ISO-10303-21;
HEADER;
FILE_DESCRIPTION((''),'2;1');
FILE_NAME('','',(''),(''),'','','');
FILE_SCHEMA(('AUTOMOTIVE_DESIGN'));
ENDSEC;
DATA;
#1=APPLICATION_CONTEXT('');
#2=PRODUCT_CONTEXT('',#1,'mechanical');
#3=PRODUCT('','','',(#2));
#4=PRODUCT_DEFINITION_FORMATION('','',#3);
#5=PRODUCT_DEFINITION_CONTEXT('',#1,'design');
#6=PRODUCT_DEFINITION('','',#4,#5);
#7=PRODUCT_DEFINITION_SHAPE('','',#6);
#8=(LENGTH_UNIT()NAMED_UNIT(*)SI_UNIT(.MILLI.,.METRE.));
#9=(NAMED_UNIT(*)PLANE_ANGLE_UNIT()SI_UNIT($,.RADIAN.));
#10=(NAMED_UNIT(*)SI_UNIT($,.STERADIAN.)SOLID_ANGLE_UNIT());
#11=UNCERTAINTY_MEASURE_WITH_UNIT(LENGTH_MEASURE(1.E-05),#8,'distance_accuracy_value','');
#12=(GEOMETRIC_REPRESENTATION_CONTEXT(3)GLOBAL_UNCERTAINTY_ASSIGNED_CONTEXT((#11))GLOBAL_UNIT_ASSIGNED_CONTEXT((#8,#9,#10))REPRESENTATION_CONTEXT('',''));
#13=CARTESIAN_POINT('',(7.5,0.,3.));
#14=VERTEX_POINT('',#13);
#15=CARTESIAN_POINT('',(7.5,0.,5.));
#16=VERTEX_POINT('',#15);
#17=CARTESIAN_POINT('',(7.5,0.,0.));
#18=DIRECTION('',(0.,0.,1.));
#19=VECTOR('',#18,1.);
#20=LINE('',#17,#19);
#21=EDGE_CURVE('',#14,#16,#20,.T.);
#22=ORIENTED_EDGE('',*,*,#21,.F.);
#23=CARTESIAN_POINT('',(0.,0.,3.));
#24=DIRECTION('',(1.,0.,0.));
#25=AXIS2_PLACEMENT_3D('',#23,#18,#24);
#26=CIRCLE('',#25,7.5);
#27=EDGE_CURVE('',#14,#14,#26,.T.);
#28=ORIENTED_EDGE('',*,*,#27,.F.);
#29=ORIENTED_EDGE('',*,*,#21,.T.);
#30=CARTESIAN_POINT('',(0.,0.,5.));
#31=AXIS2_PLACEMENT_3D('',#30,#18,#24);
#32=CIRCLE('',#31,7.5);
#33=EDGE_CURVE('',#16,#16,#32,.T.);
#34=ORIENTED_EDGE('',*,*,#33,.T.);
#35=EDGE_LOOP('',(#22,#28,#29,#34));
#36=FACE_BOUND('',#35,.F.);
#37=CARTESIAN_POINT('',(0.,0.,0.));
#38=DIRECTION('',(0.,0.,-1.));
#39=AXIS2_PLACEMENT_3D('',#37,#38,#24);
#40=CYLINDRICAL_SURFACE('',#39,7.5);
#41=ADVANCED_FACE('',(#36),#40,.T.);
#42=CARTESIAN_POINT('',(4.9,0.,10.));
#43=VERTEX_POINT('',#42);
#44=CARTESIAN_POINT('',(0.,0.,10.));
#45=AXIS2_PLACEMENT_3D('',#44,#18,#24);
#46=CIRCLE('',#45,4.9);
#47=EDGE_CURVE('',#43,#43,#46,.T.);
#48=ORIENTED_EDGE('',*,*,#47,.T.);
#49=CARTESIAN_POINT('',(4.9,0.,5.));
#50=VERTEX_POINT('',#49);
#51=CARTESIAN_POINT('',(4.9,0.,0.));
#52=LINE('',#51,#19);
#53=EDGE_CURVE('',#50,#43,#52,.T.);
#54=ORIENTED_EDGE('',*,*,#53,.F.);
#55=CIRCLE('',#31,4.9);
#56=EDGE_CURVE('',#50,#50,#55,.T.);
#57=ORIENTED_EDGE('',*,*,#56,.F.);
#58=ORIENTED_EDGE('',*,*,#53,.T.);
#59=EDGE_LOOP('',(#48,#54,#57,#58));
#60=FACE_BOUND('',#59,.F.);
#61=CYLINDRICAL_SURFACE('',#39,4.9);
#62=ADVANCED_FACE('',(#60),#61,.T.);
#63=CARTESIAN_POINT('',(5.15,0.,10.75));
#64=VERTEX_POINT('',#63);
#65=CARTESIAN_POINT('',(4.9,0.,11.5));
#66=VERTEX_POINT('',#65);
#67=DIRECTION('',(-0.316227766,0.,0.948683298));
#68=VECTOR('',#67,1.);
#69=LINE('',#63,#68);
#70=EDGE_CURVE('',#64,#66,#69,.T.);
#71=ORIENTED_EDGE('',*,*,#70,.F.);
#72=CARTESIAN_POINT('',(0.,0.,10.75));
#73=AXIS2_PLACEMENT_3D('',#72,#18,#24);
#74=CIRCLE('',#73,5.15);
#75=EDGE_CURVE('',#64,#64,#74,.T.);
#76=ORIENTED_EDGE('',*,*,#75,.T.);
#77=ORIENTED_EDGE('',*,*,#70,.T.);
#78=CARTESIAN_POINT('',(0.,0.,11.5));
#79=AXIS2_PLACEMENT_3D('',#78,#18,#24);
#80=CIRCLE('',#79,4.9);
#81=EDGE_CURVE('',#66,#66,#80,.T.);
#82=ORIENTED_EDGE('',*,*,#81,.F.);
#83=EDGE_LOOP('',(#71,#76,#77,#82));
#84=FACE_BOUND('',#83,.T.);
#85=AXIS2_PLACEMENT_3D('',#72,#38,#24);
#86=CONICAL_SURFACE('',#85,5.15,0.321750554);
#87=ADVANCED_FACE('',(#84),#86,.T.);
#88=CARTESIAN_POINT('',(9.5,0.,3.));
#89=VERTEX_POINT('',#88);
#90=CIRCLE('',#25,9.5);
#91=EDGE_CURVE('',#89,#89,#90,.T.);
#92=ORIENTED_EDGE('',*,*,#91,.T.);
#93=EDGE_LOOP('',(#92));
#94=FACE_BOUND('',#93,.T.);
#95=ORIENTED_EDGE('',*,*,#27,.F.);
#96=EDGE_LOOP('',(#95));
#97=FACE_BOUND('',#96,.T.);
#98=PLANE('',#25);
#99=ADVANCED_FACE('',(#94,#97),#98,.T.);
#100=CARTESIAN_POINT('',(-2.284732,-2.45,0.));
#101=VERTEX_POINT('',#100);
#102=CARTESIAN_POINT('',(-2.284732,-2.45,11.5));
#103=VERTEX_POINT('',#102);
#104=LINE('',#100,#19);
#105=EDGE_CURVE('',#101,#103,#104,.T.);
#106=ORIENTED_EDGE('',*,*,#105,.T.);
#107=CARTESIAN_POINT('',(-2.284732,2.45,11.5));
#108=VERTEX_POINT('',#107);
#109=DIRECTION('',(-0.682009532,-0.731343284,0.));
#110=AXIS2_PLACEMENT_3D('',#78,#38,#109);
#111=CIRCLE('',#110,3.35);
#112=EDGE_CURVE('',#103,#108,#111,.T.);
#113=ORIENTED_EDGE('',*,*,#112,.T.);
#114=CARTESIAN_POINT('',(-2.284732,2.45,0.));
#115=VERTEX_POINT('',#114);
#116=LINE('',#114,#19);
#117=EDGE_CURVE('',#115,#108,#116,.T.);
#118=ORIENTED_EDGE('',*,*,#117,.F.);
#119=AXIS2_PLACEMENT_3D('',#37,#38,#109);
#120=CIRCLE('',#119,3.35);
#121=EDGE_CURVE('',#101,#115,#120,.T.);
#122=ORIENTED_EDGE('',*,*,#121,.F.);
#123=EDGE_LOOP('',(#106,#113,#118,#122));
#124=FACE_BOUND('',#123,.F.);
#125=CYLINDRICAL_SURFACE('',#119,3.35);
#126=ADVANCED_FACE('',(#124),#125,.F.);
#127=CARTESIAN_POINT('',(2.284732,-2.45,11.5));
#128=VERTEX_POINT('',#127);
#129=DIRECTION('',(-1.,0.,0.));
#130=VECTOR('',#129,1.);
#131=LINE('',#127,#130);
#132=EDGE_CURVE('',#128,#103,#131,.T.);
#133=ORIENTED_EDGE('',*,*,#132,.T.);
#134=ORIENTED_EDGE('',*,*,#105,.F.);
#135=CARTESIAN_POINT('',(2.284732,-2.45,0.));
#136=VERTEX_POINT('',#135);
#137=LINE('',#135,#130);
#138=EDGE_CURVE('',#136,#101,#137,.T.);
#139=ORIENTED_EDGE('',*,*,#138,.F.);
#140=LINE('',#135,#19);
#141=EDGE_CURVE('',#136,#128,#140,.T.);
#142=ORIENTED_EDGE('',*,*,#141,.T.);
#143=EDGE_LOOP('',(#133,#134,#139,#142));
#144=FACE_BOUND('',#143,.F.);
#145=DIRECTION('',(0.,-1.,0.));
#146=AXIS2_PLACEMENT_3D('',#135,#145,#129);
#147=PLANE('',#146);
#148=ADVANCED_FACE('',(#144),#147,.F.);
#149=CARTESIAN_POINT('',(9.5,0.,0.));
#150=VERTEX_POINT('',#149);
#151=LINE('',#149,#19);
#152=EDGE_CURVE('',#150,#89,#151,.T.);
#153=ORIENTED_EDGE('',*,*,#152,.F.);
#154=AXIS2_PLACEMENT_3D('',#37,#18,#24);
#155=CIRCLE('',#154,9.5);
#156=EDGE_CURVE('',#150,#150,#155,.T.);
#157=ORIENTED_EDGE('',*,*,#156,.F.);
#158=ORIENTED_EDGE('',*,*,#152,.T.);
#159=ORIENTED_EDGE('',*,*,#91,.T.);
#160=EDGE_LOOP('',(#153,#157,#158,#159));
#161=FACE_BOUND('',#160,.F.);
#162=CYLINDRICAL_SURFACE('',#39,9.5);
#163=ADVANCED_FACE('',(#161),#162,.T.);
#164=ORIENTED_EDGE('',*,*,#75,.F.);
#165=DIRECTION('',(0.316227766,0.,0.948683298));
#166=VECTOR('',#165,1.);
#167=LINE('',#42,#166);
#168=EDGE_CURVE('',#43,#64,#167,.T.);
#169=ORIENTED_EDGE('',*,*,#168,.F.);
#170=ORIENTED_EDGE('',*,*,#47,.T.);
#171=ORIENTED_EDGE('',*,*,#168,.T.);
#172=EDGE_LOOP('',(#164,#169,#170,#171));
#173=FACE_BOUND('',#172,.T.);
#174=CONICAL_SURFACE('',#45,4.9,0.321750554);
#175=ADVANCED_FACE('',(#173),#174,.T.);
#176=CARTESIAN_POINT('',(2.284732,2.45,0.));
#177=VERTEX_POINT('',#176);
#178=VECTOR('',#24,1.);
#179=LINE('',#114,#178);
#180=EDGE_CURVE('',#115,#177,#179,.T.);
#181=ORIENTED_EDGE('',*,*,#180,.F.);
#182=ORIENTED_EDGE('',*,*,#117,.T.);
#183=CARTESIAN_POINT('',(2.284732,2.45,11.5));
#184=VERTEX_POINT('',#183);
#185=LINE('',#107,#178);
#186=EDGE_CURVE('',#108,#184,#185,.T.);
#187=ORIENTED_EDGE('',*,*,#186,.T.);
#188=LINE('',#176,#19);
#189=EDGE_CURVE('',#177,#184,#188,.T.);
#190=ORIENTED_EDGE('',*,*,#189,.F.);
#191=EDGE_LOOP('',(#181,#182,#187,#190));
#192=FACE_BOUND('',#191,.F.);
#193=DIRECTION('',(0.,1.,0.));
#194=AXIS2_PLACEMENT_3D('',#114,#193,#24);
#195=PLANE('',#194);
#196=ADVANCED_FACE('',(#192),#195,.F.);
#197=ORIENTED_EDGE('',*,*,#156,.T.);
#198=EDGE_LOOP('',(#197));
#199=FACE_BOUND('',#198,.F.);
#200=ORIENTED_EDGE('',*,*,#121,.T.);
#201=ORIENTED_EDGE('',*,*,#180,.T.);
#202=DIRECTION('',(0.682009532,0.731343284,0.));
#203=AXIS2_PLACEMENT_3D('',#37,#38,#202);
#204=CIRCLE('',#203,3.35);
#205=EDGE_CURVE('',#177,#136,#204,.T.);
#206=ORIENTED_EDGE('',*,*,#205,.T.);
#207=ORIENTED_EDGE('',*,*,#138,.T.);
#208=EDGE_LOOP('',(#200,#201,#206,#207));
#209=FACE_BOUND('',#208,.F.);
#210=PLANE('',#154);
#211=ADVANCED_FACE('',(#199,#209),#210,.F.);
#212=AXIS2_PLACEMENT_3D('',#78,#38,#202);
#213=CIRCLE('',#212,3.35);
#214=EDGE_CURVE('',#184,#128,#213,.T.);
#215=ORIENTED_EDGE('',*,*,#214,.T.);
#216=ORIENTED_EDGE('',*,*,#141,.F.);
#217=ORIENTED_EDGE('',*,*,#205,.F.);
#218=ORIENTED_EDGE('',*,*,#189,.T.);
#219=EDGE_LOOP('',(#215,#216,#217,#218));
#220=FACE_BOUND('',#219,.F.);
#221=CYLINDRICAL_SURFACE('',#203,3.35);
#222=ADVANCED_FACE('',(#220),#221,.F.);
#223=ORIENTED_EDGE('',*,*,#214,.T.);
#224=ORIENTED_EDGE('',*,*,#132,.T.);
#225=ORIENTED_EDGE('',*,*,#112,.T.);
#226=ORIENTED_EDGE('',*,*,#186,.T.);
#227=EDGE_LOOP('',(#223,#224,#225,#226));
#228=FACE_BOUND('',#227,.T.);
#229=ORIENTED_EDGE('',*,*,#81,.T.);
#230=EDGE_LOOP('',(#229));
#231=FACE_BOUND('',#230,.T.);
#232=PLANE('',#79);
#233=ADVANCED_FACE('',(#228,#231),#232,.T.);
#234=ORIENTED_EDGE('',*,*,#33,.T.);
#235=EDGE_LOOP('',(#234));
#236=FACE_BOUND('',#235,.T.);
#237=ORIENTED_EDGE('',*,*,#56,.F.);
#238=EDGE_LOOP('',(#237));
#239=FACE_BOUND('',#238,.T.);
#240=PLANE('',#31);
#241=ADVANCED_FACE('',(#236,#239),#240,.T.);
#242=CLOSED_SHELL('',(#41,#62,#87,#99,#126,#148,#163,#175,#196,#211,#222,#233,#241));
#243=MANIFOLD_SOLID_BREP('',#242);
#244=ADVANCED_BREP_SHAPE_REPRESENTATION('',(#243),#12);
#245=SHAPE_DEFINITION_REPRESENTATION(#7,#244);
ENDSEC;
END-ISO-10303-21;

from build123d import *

# Parameters (mm, degrees)
F0_R     = 9.5
F0_R_2   = 7.5
F1_DEPTH = 3
F0_R_3   = 4.9
F2_DEPTH = 5
F3_DEPTH = 11.5


with BuildPart() as f1:
    # F0 (on Top) → F1 (new body)
    with BuildSketch(Plane.XY):
        Circle(F0_R)
        Circle(F0_R_2, mode=Mode.SUBTRACT)
    extrude(amount=F1_DEPTH)

    # F0 (on Top) → F2 (join)
    with BuildSketch(Plane.XY):
        Circle(F0_R_2)
        Circle(F0_R_3, mode=Mode.SUBTRACT)
    extrude(amount=F2_DEPTH)

    # F0 (on Top) → F3 (join)
    with BuildSketch(Plane.XY):
        Circle(F0_R_3)
        with BuildLine():
            ThreePointArc((-2.2847319318, -2.45), (-3.35, 0), (-2.2847319318, 2.45))
            Line((-2.2847319318, 2.45), (2.2847319318, 2.45))
            ThreePointArc((2.2847319318, 2.45), (3.35, 0), (2.2847319318, -2.45))
            Line((2.2847319318, -2.45), (-2.2847319318, -2.45))
        make_face(mode=Mode.SUBTRACT)
    extrude(amount=F3_DEPTH)

    # F4 (on Front) → F5 (revolve)
    with BuildSketch(Plane.XZ):
        Polygon((5.15, 10.75), (4.9, 11.5), (4.9, 10), align=None)
    revolve(axis=Axis((0, 0, 8.9765712619), (0, 0, 1)))


solid = f1.part
